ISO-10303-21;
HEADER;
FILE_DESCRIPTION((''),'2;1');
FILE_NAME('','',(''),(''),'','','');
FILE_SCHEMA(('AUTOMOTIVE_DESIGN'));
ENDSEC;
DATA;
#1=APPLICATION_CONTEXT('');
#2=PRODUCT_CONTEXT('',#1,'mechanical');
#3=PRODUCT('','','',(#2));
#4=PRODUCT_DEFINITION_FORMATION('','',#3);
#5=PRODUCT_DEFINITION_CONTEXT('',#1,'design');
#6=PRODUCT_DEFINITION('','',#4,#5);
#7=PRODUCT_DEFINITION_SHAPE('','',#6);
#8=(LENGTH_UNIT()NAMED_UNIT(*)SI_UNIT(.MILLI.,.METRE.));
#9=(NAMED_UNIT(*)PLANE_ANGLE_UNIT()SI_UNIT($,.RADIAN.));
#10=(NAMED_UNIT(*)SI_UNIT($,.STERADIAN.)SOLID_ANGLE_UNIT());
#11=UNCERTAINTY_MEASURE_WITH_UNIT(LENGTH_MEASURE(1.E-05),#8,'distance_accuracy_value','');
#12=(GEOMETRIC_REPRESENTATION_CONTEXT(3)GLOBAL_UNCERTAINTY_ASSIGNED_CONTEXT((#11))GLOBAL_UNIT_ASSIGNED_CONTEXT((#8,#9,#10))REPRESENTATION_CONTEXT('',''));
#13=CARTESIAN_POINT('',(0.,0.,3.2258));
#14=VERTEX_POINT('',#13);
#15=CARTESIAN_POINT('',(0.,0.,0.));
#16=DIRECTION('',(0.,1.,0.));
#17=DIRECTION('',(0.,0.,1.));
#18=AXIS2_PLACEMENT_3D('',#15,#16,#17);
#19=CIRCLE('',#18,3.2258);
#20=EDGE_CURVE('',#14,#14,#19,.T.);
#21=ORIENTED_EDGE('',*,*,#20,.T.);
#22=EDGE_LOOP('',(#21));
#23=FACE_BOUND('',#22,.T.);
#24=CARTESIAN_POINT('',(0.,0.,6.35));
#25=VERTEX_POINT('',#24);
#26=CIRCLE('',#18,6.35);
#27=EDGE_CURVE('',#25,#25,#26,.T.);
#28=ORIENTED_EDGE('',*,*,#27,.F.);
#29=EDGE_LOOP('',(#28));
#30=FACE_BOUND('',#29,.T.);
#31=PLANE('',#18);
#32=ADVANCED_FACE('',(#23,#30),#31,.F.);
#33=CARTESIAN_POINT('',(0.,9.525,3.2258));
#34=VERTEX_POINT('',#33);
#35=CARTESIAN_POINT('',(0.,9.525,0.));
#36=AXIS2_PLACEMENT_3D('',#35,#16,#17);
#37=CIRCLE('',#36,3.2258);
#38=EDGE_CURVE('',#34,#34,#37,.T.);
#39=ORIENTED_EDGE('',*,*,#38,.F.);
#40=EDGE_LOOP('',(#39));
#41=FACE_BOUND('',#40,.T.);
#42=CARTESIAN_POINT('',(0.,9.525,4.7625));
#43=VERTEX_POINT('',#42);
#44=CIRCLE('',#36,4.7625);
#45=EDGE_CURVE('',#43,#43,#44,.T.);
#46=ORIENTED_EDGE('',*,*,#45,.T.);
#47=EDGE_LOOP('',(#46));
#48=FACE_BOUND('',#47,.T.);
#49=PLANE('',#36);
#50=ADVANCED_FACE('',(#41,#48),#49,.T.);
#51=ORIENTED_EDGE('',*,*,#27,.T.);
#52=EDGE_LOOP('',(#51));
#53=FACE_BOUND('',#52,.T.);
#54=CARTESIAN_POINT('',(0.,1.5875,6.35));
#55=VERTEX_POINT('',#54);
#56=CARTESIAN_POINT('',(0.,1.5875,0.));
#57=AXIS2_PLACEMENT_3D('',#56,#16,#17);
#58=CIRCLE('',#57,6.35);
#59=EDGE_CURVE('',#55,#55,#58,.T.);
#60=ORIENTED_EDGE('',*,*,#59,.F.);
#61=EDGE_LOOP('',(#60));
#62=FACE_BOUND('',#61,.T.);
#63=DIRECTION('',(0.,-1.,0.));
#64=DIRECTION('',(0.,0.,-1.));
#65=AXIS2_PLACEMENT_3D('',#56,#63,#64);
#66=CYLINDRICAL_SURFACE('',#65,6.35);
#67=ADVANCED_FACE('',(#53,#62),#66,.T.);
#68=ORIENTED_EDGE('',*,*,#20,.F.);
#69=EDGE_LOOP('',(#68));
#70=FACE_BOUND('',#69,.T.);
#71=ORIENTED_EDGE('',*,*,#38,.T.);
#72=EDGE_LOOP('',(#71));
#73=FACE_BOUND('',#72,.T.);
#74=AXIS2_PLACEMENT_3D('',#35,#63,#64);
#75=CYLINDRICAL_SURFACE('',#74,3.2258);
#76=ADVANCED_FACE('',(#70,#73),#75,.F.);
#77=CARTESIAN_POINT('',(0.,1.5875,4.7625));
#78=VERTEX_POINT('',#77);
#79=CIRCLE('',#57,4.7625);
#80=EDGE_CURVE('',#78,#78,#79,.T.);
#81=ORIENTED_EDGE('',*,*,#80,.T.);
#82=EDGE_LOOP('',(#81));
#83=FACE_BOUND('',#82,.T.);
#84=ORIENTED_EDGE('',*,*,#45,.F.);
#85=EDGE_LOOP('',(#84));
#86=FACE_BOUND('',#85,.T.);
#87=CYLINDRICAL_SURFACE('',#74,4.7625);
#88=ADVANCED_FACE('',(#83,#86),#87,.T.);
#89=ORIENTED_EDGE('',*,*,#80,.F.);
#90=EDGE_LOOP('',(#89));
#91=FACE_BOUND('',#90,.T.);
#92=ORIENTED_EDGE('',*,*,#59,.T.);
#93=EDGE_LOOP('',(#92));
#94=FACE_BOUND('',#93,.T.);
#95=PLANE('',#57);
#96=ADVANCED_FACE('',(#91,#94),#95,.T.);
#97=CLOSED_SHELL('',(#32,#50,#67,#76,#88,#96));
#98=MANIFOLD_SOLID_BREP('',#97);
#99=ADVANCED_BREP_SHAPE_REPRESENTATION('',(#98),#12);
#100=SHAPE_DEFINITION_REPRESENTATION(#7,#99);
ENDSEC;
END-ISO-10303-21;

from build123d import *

# Parameters (mm, degrees)
SKETCH2_R           = 4.7625
SKETCH2_R_2         = 3.2258
BOSS_EXTRUDE1_DEPTH = 9.525
SKETCH3_R           = 6.35
SKETCH3_R_2         = 4.7625
BOSS_EXTRUDE2_DEPTH = 1.5875


with BuildPart() as part:
    # Sketch2 → Boss-Extrude1 (new body)
    with BuildSketch(Plane(origin=(0, 0, 0), x_dir=(1, 0, 0), z_dir=(0, 1, 0))):
        Circle(SKETCH2_R)
        Circle(SKETCH2_R_2, mode=Mode.SUBTRACT)
    extrude(amount=BOSS_EXTRUDE1_DEPTH)

    # Sketch3 → Boss-Extrude2 (add)
    with BuildSketch(Plane(origin=(0, 0, 0), x_dir=(1, 0, 0), z_dir=(0, 1, 0))):
        Circle(SKETCH3_R)
        Circle(SKETCH3_R_2, mode=Mode.SUBTRACT)
    extrude(amount=BOSS_EXTRUDE2_DEPTH)


solid = part.part
